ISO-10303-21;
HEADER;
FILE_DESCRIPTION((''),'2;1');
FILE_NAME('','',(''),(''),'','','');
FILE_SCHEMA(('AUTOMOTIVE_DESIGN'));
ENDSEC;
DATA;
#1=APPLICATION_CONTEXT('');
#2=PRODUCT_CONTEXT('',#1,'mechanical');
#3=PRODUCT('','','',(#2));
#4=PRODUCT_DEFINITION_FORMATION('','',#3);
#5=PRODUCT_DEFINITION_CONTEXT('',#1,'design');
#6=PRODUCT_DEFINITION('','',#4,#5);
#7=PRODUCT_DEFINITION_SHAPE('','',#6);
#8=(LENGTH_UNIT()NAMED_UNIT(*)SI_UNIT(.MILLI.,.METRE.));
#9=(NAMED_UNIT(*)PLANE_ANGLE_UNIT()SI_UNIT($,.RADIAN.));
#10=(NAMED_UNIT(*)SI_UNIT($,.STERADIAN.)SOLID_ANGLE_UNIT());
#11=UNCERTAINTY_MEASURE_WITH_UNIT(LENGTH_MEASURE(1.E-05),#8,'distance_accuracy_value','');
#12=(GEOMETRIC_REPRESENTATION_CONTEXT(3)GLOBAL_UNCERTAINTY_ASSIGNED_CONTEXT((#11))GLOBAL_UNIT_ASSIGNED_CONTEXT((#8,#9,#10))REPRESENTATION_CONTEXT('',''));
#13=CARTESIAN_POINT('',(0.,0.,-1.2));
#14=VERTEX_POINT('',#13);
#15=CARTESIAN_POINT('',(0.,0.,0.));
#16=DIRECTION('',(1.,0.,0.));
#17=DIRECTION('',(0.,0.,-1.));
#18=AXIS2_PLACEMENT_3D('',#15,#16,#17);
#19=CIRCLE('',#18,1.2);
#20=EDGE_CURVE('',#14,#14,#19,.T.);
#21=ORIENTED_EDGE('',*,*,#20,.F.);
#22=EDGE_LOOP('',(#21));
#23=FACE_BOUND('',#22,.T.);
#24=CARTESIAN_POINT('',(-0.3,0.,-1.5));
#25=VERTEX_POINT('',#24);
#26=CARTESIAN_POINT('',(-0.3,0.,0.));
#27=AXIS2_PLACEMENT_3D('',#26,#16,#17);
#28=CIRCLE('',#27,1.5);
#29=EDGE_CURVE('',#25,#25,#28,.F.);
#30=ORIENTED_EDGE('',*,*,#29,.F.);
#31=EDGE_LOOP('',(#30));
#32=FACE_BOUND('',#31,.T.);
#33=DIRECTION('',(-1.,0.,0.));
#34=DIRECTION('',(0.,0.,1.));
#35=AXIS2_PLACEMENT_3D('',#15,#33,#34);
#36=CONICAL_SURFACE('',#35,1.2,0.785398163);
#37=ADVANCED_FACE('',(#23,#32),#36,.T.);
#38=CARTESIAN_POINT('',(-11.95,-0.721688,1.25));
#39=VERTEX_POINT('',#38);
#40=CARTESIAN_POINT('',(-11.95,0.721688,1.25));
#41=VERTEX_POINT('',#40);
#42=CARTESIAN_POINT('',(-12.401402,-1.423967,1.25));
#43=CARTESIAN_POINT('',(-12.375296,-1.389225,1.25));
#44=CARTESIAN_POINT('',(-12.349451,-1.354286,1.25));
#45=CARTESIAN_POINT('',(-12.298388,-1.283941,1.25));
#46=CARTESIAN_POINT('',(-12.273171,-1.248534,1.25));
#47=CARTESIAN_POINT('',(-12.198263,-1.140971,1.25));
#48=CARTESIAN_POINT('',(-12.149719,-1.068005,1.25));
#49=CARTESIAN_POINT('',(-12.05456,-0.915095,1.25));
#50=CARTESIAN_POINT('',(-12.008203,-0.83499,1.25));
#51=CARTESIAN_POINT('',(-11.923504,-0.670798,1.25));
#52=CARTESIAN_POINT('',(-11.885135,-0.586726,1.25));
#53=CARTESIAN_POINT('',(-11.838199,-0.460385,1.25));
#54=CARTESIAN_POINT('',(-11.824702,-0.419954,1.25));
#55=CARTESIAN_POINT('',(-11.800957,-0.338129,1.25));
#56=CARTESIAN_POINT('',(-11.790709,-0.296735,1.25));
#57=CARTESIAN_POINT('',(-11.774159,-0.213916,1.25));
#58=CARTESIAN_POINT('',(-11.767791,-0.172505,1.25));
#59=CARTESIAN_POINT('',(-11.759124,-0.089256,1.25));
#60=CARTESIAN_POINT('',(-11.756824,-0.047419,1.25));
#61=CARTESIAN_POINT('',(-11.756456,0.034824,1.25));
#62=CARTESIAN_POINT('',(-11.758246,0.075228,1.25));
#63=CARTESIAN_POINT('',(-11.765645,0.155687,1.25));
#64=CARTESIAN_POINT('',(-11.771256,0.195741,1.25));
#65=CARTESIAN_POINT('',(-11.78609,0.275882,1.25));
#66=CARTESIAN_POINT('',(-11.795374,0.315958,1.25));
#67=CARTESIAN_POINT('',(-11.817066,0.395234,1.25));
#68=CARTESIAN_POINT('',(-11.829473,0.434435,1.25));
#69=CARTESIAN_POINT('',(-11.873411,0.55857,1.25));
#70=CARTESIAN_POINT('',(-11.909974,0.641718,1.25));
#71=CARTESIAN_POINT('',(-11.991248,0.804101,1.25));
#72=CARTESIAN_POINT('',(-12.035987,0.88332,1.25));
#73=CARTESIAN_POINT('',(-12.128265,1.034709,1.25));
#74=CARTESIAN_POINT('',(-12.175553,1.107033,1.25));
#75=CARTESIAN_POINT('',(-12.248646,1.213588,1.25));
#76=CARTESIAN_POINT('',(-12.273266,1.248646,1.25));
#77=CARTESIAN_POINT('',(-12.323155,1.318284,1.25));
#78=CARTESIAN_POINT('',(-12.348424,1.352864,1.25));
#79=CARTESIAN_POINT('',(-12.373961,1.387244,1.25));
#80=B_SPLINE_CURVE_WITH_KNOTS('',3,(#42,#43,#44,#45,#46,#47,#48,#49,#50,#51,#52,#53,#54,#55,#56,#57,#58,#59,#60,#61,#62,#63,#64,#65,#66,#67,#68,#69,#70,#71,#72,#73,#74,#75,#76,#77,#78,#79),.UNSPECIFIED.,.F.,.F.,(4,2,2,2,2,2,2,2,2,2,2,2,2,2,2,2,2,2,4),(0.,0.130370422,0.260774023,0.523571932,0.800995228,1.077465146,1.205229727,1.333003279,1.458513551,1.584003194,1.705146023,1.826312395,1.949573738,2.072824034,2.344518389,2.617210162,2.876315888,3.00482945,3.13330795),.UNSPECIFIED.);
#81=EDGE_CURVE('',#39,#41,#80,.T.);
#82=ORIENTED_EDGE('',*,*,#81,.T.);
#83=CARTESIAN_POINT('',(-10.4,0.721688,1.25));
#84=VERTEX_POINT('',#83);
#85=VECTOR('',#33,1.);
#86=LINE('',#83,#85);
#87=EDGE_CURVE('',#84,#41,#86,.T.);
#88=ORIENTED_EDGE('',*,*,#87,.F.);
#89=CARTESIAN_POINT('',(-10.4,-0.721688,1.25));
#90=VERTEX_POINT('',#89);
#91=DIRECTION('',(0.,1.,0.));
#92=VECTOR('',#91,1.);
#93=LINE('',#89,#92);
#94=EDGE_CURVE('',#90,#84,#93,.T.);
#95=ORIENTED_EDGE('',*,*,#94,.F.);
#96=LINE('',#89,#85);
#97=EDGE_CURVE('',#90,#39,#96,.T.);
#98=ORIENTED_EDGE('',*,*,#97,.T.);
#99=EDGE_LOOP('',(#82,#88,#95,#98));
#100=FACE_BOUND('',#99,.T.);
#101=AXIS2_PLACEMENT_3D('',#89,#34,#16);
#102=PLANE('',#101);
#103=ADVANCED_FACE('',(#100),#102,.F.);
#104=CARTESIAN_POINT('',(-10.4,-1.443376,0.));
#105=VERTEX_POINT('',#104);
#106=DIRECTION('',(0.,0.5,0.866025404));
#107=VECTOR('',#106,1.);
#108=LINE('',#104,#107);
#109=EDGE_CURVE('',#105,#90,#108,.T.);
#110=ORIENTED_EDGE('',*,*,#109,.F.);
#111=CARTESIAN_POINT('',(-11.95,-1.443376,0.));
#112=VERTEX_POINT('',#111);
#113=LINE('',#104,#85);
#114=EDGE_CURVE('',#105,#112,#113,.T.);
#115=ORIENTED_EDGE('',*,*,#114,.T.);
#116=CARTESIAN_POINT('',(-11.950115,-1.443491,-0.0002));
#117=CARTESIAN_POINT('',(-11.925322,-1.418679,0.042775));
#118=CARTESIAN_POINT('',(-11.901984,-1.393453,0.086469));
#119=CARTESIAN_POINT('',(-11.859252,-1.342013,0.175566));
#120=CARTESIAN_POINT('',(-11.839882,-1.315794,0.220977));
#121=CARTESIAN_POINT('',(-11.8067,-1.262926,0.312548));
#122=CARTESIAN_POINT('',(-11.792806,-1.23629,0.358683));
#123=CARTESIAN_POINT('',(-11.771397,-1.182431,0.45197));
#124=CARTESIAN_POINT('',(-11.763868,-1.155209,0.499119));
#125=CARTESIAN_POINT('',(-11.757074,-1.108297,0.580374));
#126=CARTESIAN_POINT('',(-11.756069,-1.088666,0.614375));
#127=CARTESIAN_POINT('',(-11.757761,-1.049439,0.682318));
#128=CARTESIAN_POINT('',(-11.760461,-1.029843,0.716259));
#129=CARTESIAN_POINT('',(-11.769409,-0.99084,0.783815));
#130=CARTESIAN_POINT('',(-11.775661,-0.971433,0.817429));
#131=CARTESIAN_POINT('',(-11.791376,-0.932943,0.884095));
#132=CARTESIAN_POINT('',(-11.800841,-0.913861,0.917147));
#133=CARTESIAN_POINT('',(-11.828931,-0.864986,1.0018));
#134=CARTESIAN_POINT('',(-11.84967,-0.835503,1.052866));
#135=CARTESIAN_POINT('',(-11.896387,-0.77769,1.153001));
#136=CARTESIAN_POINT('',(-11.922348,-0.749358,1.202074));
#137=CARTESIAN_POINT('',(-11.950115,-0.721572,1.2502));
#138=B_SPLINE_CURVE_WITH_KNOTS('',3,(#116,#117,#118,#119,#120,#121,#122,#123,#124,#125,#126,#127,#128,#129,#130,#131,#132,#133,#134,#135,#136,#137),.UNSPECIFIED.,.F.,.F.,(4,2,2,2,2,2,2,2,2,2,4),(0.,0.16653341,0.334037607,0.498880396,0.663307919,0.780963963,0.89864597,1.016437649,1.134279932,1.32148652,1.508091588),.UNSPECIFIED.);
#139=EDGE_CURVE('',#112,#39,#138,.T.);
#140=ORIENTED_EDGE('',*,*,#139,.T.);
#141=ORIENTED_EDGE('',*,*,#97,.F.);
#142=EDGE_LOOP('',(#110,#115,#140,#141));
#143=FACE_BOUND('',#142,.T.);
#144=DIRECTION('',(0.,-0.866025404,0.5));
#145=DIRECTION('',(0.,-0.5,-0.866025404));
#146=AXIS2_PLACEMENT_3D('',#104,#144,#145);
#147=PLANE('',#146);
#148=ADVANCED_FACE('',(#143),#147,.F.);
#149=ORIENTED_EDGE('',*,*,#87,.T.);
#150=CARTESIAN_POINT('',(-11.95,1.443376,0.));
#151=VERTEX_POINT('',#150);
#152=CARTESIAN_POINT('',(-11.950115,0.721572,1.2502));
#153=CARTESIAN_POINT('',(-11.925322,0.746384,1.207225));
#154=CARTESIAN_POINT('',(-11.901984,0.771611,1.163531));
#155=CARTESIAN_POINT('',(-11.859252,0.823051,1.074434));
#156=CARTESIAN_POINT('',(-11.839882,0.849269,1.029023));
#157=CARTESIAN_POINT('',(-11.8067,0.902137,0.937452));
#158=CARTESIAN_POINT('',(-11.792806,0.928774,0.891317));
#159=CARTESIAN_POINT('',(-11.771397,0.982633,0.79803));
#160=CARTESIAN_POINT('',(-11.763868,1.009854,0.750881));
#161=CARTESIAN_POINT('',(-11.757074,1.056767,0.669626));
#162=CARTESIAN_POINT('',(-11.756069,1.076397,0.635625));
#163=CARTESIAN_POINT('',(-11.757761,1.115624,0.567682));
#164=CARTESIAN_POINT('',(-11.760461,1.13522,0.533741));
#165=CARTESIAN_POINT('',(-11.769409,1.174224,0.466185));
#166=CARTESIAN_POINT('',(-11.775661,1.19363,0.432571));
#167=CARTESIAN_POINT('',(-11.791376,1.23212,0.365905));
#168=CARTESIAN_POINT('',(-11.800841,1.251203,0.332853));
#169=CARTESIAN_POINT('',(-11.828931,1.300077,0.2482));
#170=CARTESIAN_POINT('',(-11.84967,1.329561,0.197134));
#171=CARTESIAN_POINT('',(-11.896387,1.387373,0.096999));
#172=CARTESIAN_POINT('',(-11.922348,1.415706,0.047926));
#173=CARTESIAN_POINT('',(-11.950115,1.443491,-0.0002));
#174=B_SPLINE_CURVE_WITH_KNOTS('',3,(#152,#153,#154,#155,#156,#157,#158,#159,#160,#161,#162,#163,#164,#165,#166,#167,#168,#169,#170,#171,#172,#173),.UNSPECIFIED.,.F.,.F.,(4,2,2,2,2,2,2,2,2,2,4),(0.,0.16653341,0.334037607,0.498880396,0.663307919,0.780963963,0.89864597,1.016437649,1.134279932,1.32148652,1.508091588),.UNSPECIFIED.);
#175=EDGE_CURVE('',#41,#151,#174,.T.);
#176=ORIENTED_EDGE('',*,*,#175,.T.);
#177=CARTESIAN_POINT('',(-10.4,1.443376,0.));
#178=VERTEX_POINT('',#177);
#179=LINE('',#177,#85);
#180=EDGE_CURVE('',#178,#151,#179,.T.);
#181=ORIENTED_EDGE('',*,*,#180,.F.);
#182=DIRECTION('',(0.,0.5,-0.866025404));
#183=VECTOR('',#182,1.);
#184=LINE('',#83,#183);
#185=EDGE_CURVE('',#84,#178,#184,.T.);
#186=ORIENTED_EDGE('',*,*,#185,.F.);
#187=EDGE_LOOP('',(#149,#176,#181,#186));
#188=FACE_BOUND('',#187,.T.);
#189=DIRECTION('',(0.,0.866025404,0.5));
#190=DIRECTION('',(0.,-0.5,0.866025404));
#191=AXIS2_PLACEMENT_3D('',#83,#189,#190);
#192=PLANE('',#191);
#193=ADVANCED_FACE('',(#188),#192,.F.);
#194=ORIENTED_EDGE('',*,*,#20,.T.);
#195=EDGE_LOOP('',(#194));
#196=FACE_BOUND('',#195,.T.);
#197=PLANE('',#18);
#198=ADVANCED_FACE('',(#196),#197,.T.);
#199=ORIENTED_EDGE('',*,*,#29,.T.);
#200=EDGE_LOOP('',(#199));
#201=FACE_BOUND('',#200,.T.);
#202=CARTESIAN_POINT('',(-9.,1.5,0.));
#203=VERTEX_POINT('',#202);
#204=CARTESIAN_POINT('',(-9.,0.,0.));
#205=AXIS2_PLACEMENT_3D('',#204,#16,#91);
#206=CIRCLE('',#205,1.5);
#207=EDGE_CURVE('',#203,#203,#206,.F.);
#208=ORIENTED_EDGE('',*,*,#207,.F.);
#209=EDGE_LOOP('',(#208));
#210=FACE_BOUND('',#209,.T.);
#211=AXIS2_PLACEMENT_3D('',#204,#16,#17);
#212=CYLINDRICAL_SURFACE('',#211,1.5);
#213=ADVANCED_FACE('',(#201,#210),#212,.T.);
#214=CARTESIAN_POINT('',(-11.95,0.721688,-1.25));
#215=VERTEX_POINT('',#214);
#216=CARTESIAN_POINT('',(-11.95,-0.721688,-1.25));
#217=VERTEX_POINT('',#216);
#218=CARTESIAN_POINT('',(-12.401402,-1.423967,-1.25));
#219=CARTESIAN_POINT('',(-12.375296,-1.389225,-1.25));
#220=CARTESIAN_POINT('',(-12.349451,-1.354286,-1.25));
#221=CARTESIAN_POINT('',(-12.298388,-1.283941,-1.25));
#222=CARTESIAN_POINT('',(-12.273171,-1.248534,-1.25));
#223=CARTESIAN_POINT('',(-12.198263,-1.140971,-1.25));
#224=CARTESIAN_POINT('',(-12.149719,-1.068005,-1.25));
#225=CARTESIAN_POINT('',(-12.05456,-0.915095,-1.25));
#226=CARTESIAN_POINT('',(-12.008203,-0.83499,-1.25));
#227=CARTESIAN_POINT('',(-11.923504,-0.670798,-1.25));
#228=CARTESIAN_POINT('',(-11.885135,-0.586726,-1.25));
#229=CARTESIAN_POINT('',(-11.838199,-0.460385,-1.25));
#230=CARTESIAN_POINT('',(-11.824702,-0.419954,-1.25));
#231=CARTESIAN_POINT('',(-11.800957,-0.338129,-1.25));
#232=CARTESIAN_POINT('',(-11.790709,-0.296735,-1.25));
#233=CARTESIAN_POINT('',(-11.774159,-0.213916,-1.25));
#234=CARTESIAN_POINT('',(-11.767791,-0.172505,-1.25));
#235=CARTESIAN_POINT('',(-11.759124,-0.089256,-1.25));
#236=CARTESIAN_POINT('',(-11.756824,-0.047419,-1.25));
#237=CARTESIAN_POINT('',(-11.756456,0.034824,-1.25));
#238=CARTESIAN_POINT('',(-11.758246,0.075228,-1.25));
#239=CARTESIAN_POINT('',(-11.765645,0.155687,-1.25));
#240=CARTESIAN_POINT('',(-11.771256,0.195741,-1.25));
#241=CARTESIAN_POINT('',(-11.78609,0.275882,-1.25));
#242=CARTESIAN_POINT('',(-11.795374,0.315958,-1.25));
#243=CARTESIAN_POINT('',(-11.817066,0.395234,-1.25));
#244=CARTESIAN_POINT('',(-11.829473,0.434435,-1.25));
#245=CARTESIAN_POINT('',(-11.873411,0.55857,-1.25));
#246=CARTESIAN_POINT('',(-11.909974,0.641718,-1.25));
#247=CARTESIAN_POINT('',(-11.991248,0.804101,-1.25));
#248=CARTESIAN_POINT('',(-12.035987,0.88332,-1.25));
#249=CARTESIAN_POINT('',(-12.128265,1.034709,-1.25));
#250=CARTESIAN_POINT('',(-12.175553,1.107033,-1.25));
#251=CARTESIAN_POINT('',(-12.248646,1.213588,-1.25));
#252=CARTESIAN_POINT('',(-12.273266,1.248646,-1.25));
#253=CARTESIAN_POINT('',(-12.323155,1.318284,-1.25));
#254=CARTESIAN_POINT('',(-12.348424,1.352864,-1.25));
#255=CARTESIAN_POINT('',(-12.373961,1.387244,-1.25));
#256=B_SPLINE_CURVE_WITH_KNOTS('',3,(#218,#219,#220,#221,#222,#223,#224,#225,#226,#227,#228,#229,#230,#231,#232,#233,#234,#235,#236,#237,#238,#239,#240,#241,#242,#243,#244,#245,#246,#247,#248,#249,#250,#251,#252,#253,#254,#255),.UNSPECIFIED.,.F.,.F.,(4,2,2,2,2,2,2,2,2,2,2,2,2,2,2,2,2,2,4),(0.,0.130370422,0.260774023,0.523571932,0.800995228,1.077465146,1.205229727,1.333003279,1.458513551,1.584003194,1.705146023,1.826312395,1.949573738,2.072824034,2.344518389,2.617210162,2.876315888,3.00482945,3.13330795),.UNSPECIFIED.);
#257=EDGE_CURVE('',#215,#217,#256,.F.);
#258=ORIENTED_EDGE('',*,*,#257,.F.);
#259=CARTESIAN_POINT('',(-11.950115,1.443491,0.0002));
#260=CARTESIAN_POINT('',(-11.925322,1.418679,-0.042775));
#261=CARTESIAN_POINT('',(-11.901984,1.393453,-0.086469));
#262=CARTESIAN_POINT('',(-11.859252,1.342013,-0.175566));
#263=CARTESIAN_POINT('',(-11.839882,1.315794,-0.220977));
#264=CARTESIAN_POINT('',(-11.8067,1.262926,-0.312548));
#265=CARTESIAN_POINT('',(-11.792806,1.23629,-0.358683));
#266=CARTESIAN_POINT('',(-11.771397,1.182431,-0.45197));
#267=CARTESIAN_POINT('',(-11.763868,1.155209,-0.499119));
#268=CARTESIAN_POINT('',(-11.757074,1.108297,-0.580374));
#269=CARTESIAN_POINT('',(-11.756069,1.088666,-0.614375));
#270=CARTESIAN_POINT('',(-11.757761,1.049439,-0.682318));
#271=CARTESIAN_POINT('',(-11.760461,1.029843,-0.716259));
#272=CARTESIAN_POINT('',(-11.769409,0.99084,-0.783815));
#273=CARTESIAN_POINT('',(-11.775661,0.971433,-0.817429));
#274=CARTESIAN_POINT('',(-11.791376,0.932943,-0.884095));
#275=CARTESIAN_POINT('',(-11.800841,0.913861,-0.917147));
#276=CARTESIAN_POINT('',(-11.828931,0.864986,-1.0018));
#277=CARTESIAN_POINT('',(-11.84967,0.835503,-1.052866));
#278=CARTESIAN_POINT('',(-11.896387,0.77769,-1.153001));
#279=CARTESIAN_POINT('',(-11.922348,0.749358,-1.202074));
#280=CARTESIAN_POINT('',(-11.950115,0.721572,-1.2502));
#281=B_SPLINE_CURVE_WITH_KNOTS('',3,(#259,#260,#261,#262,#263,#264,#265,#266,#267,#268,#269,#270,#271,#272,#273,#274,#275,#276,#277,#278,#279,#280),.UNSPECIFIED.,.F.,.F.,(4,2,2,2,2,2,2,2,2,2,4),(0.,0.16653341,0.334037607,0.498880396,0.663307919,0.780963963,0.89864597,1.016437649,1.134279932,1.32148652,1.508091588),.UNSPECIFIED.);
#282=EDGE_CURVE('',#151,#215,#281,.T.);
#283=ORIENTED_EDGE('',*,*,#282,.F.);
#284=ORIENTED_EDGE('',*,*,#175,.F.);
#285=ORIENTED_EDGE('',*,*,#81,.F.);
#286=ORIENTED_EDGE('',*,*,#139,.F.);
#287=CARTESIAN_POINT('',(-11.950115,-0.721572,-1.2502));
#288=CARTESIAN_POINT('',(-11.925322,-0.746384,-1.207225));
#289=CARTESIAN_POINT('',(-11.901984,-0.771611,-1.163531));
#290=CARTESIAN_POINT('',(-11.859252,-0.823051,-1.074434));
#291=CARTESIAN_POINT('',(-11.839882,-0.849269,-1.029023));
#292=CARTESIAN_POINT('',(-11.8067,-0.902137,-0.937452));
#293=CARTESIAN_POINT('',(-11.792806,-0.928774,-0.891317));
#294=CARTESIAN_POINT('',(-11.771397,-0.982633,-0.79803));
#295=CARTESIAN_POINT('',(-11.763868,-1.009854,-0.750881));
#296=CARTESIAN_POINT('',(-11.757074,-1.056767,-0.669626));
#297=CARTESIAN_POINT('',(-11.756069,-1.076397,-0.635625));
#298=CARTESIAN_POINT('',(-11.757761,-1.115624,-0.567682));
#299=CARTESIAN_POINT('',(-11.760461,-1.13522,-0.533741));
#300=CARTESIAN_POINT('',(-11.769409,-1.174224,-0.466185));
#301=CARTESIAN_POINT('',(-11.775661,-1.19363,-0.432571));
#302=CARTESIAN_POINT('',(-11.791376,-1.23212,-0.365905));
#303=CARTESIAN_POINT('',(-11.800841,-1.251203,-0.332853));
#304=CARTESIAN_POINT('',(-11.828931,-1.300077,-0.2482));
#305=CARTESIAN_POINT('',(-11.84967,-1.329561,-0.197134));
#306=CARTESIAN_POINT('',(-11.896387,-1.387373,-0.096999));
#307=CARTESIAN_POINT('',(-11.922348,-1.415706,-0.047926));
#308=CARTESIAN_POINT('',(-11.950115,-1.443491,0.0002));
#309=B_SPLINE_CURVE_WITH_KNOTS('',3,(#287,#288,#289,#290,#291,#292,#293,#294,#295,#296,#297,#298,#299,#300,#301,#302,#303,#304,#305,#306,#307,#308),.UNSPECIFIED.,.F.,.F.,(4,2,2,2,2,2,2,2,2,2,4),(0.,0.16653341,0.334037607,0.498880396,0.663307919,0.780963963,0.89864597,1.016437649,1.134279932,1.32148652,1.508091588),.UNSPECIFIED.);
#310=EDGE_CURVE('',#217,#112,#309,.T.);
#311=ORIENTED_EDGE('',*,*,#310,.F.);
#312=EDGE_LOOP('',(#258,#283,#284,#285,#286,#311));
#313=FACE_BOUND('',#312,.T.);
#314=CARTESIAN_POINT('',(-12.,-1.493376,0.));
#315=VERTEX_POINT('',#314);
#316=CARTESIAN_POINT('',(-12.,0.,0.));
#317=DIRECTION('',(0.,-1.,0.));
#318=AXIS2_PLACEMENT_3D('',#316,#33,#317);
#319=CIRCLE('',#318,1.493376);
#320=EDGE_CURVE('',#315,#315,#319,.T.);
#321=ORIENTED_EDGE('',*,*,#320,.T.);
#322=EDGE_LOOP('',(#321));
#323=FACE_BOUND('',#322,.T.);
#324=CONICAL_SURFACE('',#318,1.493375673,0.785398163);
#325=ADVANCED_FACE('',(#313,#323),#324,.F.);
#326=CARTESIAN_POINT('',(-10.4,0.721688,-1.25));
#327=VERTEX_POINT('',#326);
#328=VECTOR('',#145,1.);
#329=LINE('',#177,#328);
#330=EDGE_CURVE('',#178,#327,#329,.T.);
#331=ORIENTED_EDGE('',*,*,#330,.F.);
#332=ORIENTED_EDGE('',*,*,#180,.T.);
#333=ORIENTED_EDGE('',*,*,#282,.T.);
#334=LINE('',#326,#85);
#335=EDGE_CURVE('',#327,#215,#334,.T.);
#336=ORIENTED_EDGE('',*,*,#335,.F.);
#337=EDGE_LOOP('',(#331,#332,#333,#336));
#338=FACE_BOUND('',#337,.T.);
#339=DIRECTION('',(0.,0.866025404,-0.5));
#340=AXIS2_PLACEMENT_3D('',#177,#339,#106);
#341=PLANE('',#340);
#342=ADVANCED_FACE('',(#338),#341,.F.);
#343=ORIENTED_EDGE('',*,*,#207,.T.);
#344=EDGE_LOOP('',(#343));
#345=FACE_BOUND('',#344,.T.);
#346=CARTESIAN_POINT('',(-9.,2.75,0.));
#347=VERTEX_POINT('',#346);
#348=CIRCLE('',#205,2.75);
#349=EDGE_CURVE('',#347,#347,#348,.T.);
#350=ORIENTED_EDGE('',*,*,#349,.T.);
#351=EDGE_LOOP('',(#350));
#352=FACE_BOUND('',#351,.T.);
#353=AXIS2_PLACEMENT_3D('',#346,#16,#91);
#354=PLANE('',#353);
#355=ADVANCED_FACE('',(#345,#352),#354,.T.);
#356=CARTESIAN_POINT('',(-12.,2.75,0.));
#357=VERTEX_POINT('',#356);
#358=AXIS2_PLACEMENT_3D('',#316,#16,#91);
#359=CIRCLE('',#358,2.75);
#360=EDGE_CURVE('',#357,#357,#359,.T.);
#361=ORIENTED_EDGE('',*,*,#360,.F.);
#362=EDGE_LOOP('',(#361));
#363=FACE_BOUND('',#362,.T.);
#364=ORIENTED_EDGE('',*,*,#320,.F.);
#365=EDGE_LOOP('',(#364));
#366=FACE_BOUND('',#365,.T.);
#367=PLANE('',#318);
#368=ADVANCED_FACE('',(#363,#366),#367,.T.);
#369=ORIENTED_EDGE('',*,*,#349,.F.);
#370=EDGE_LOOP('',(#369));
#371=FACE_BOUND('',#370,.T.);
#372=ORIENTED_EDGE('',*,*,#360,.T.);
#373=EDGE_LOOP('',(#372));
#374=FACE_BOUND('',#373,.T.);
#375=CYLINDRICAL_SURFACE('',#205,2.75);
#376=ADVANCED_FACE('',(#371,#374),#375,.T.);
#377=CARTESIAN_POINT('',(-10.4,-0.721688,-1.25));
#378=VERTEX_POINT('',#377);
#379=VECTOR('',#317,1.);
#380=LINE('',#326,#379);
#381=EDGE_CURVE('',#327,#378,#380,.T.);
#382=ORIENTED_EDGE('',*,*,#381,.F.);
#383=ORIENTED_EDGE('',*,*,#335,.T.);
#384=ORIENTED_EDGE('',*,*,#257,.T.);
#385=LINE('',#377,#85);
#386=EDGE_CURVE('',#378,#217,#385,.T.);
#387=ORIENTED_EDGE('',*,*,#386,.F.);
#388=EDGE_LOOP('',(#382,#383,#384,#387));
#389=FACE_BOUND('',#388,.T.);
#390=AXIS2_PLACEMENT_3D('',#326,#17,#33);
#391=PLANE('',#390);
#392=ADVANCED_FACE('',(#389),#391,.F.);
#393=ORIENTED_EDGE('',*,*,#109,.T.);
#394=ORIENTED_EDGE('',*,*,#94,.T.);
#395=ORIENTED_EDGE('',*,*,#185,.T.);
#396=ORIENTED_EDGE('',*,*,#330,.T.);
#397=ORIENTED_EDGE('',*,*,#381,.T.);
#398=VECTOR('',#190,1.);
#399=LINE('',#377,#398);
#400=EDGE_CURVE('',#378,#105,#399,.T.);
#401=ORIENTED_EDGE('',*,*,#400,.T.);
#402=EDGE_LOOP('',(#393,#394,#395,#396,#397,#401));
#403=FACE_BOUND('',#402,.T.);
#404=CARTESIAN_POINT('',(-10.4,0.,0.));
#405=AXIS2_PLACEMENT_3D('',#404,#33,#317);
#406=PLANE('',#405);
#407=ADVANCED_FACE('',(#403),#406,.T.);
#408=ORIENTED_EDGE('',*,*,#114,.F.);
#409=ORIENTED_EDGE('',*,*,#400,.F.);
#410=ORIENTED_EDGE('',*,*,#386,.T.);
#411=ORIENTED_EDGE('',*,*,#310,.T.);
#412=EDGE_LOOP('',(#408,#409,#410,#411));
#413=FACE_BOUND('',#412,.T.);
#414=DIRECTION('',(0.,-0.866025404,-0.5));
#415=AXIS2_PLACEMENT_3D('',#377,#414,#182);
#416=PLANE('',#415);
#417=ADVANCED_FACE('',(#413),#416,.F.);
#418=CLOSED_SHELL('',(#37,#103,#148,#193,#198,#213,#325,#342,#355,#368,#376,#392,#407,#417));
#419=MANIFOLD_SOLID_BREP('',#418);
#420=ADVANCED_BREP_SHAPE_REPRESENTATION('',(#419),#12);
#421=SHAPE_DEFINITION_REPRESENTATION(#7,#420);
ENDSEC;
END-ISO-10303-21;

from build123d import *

# Parameters (mm, degrees)
SKETCH2_R           = 1.5
BOSS_EXTRUDE1_DEPTH = 9
CHAMFER1_SIZE       = 0.3
SKETCH6_W           = 3
SKETCH6_H           = 2.75
CUT_EXTRUDE1_DEPTH  = 1.6
SKETCH8_R           = 1.493375673
CUT_EXTRUDE2_DEPTH  = 1
CUT_EXTRUDE2_DRAFT  = -45


with BuildPart() as part:
    # Sketch2 → Boss-Extrude1 (new body)
    with BuildSketch(Plane(origin=(0, 0, 0), x_dir=(0, 0, -1), z_dir=(1, 0, 0))):
        Circle(SKETCH2_R)
    extrude(amount=-BOSS_EXTRUDE1_DEPTH)

    # Chamfer1
    chamfer1_edges = [part.edges().sort_by_distance(p)[0] for p in [
        (0, 0, 1.5),
    ]]
    chamfer(chamfer1_edges, length=CHAMFER1_SIZE)

    # Sketch6 → Revolve1 (revolve)
    with BuildSketch(Plane.XY):
        with Locations((-10.5, 1.375)):
            Rectangle(SKETCH6_W, SKETCH6_H)
    revolve(axis=Axis((-9, 0, 0), (-1, 0, 0)))

    # Sketch7 → Cut-Extrude1 (cut)
    with BuildSketch(Plane.ZY.offset(12)):
        Polygon((0, 1.443375673), (-1.25, 0.721687836), (-1.25, -0.721687836), (0, -1.443375673), (1.25, -0.721687836), (1.25, 0.721687836), align=None)
    extrude(amount=-CUT_EXTRUDE1_DEPTH, mode=Mode.SUBTRACT)


with BuildPart() as cut_extrude2_tool:
    # Sketch8 → Cut-Extrude2 (with draft: the straight prism first)
    with BuildSketch(Plane.ZY.offset(12)):
        Circle(SKETCH8_R)
    extrude(amount=-CUT_EXTRUDE2_DEPTH)
    # Cut-Extrude2: the draft: its side faces are tilted about the plane it starts from
    cut_extrude2_sides = [cut_extrude2_tool.faces().sort_by_distance(p)[0] for p in [
        (-11.5, 0, -1.493375673),
    ]]
    draft(cut_extrude2_sides, Plane.ZY.offset(12), CUT_EXTRUDE2_DRAFT)


with BuildPart() as part_1:
    add(part.part)

    # Cut-Extrude2: cut by cut_extrude2_tool
    add(cut_extrude2_tool.part, mode=Mode.SUBTRACT)


solid = part_1.part
